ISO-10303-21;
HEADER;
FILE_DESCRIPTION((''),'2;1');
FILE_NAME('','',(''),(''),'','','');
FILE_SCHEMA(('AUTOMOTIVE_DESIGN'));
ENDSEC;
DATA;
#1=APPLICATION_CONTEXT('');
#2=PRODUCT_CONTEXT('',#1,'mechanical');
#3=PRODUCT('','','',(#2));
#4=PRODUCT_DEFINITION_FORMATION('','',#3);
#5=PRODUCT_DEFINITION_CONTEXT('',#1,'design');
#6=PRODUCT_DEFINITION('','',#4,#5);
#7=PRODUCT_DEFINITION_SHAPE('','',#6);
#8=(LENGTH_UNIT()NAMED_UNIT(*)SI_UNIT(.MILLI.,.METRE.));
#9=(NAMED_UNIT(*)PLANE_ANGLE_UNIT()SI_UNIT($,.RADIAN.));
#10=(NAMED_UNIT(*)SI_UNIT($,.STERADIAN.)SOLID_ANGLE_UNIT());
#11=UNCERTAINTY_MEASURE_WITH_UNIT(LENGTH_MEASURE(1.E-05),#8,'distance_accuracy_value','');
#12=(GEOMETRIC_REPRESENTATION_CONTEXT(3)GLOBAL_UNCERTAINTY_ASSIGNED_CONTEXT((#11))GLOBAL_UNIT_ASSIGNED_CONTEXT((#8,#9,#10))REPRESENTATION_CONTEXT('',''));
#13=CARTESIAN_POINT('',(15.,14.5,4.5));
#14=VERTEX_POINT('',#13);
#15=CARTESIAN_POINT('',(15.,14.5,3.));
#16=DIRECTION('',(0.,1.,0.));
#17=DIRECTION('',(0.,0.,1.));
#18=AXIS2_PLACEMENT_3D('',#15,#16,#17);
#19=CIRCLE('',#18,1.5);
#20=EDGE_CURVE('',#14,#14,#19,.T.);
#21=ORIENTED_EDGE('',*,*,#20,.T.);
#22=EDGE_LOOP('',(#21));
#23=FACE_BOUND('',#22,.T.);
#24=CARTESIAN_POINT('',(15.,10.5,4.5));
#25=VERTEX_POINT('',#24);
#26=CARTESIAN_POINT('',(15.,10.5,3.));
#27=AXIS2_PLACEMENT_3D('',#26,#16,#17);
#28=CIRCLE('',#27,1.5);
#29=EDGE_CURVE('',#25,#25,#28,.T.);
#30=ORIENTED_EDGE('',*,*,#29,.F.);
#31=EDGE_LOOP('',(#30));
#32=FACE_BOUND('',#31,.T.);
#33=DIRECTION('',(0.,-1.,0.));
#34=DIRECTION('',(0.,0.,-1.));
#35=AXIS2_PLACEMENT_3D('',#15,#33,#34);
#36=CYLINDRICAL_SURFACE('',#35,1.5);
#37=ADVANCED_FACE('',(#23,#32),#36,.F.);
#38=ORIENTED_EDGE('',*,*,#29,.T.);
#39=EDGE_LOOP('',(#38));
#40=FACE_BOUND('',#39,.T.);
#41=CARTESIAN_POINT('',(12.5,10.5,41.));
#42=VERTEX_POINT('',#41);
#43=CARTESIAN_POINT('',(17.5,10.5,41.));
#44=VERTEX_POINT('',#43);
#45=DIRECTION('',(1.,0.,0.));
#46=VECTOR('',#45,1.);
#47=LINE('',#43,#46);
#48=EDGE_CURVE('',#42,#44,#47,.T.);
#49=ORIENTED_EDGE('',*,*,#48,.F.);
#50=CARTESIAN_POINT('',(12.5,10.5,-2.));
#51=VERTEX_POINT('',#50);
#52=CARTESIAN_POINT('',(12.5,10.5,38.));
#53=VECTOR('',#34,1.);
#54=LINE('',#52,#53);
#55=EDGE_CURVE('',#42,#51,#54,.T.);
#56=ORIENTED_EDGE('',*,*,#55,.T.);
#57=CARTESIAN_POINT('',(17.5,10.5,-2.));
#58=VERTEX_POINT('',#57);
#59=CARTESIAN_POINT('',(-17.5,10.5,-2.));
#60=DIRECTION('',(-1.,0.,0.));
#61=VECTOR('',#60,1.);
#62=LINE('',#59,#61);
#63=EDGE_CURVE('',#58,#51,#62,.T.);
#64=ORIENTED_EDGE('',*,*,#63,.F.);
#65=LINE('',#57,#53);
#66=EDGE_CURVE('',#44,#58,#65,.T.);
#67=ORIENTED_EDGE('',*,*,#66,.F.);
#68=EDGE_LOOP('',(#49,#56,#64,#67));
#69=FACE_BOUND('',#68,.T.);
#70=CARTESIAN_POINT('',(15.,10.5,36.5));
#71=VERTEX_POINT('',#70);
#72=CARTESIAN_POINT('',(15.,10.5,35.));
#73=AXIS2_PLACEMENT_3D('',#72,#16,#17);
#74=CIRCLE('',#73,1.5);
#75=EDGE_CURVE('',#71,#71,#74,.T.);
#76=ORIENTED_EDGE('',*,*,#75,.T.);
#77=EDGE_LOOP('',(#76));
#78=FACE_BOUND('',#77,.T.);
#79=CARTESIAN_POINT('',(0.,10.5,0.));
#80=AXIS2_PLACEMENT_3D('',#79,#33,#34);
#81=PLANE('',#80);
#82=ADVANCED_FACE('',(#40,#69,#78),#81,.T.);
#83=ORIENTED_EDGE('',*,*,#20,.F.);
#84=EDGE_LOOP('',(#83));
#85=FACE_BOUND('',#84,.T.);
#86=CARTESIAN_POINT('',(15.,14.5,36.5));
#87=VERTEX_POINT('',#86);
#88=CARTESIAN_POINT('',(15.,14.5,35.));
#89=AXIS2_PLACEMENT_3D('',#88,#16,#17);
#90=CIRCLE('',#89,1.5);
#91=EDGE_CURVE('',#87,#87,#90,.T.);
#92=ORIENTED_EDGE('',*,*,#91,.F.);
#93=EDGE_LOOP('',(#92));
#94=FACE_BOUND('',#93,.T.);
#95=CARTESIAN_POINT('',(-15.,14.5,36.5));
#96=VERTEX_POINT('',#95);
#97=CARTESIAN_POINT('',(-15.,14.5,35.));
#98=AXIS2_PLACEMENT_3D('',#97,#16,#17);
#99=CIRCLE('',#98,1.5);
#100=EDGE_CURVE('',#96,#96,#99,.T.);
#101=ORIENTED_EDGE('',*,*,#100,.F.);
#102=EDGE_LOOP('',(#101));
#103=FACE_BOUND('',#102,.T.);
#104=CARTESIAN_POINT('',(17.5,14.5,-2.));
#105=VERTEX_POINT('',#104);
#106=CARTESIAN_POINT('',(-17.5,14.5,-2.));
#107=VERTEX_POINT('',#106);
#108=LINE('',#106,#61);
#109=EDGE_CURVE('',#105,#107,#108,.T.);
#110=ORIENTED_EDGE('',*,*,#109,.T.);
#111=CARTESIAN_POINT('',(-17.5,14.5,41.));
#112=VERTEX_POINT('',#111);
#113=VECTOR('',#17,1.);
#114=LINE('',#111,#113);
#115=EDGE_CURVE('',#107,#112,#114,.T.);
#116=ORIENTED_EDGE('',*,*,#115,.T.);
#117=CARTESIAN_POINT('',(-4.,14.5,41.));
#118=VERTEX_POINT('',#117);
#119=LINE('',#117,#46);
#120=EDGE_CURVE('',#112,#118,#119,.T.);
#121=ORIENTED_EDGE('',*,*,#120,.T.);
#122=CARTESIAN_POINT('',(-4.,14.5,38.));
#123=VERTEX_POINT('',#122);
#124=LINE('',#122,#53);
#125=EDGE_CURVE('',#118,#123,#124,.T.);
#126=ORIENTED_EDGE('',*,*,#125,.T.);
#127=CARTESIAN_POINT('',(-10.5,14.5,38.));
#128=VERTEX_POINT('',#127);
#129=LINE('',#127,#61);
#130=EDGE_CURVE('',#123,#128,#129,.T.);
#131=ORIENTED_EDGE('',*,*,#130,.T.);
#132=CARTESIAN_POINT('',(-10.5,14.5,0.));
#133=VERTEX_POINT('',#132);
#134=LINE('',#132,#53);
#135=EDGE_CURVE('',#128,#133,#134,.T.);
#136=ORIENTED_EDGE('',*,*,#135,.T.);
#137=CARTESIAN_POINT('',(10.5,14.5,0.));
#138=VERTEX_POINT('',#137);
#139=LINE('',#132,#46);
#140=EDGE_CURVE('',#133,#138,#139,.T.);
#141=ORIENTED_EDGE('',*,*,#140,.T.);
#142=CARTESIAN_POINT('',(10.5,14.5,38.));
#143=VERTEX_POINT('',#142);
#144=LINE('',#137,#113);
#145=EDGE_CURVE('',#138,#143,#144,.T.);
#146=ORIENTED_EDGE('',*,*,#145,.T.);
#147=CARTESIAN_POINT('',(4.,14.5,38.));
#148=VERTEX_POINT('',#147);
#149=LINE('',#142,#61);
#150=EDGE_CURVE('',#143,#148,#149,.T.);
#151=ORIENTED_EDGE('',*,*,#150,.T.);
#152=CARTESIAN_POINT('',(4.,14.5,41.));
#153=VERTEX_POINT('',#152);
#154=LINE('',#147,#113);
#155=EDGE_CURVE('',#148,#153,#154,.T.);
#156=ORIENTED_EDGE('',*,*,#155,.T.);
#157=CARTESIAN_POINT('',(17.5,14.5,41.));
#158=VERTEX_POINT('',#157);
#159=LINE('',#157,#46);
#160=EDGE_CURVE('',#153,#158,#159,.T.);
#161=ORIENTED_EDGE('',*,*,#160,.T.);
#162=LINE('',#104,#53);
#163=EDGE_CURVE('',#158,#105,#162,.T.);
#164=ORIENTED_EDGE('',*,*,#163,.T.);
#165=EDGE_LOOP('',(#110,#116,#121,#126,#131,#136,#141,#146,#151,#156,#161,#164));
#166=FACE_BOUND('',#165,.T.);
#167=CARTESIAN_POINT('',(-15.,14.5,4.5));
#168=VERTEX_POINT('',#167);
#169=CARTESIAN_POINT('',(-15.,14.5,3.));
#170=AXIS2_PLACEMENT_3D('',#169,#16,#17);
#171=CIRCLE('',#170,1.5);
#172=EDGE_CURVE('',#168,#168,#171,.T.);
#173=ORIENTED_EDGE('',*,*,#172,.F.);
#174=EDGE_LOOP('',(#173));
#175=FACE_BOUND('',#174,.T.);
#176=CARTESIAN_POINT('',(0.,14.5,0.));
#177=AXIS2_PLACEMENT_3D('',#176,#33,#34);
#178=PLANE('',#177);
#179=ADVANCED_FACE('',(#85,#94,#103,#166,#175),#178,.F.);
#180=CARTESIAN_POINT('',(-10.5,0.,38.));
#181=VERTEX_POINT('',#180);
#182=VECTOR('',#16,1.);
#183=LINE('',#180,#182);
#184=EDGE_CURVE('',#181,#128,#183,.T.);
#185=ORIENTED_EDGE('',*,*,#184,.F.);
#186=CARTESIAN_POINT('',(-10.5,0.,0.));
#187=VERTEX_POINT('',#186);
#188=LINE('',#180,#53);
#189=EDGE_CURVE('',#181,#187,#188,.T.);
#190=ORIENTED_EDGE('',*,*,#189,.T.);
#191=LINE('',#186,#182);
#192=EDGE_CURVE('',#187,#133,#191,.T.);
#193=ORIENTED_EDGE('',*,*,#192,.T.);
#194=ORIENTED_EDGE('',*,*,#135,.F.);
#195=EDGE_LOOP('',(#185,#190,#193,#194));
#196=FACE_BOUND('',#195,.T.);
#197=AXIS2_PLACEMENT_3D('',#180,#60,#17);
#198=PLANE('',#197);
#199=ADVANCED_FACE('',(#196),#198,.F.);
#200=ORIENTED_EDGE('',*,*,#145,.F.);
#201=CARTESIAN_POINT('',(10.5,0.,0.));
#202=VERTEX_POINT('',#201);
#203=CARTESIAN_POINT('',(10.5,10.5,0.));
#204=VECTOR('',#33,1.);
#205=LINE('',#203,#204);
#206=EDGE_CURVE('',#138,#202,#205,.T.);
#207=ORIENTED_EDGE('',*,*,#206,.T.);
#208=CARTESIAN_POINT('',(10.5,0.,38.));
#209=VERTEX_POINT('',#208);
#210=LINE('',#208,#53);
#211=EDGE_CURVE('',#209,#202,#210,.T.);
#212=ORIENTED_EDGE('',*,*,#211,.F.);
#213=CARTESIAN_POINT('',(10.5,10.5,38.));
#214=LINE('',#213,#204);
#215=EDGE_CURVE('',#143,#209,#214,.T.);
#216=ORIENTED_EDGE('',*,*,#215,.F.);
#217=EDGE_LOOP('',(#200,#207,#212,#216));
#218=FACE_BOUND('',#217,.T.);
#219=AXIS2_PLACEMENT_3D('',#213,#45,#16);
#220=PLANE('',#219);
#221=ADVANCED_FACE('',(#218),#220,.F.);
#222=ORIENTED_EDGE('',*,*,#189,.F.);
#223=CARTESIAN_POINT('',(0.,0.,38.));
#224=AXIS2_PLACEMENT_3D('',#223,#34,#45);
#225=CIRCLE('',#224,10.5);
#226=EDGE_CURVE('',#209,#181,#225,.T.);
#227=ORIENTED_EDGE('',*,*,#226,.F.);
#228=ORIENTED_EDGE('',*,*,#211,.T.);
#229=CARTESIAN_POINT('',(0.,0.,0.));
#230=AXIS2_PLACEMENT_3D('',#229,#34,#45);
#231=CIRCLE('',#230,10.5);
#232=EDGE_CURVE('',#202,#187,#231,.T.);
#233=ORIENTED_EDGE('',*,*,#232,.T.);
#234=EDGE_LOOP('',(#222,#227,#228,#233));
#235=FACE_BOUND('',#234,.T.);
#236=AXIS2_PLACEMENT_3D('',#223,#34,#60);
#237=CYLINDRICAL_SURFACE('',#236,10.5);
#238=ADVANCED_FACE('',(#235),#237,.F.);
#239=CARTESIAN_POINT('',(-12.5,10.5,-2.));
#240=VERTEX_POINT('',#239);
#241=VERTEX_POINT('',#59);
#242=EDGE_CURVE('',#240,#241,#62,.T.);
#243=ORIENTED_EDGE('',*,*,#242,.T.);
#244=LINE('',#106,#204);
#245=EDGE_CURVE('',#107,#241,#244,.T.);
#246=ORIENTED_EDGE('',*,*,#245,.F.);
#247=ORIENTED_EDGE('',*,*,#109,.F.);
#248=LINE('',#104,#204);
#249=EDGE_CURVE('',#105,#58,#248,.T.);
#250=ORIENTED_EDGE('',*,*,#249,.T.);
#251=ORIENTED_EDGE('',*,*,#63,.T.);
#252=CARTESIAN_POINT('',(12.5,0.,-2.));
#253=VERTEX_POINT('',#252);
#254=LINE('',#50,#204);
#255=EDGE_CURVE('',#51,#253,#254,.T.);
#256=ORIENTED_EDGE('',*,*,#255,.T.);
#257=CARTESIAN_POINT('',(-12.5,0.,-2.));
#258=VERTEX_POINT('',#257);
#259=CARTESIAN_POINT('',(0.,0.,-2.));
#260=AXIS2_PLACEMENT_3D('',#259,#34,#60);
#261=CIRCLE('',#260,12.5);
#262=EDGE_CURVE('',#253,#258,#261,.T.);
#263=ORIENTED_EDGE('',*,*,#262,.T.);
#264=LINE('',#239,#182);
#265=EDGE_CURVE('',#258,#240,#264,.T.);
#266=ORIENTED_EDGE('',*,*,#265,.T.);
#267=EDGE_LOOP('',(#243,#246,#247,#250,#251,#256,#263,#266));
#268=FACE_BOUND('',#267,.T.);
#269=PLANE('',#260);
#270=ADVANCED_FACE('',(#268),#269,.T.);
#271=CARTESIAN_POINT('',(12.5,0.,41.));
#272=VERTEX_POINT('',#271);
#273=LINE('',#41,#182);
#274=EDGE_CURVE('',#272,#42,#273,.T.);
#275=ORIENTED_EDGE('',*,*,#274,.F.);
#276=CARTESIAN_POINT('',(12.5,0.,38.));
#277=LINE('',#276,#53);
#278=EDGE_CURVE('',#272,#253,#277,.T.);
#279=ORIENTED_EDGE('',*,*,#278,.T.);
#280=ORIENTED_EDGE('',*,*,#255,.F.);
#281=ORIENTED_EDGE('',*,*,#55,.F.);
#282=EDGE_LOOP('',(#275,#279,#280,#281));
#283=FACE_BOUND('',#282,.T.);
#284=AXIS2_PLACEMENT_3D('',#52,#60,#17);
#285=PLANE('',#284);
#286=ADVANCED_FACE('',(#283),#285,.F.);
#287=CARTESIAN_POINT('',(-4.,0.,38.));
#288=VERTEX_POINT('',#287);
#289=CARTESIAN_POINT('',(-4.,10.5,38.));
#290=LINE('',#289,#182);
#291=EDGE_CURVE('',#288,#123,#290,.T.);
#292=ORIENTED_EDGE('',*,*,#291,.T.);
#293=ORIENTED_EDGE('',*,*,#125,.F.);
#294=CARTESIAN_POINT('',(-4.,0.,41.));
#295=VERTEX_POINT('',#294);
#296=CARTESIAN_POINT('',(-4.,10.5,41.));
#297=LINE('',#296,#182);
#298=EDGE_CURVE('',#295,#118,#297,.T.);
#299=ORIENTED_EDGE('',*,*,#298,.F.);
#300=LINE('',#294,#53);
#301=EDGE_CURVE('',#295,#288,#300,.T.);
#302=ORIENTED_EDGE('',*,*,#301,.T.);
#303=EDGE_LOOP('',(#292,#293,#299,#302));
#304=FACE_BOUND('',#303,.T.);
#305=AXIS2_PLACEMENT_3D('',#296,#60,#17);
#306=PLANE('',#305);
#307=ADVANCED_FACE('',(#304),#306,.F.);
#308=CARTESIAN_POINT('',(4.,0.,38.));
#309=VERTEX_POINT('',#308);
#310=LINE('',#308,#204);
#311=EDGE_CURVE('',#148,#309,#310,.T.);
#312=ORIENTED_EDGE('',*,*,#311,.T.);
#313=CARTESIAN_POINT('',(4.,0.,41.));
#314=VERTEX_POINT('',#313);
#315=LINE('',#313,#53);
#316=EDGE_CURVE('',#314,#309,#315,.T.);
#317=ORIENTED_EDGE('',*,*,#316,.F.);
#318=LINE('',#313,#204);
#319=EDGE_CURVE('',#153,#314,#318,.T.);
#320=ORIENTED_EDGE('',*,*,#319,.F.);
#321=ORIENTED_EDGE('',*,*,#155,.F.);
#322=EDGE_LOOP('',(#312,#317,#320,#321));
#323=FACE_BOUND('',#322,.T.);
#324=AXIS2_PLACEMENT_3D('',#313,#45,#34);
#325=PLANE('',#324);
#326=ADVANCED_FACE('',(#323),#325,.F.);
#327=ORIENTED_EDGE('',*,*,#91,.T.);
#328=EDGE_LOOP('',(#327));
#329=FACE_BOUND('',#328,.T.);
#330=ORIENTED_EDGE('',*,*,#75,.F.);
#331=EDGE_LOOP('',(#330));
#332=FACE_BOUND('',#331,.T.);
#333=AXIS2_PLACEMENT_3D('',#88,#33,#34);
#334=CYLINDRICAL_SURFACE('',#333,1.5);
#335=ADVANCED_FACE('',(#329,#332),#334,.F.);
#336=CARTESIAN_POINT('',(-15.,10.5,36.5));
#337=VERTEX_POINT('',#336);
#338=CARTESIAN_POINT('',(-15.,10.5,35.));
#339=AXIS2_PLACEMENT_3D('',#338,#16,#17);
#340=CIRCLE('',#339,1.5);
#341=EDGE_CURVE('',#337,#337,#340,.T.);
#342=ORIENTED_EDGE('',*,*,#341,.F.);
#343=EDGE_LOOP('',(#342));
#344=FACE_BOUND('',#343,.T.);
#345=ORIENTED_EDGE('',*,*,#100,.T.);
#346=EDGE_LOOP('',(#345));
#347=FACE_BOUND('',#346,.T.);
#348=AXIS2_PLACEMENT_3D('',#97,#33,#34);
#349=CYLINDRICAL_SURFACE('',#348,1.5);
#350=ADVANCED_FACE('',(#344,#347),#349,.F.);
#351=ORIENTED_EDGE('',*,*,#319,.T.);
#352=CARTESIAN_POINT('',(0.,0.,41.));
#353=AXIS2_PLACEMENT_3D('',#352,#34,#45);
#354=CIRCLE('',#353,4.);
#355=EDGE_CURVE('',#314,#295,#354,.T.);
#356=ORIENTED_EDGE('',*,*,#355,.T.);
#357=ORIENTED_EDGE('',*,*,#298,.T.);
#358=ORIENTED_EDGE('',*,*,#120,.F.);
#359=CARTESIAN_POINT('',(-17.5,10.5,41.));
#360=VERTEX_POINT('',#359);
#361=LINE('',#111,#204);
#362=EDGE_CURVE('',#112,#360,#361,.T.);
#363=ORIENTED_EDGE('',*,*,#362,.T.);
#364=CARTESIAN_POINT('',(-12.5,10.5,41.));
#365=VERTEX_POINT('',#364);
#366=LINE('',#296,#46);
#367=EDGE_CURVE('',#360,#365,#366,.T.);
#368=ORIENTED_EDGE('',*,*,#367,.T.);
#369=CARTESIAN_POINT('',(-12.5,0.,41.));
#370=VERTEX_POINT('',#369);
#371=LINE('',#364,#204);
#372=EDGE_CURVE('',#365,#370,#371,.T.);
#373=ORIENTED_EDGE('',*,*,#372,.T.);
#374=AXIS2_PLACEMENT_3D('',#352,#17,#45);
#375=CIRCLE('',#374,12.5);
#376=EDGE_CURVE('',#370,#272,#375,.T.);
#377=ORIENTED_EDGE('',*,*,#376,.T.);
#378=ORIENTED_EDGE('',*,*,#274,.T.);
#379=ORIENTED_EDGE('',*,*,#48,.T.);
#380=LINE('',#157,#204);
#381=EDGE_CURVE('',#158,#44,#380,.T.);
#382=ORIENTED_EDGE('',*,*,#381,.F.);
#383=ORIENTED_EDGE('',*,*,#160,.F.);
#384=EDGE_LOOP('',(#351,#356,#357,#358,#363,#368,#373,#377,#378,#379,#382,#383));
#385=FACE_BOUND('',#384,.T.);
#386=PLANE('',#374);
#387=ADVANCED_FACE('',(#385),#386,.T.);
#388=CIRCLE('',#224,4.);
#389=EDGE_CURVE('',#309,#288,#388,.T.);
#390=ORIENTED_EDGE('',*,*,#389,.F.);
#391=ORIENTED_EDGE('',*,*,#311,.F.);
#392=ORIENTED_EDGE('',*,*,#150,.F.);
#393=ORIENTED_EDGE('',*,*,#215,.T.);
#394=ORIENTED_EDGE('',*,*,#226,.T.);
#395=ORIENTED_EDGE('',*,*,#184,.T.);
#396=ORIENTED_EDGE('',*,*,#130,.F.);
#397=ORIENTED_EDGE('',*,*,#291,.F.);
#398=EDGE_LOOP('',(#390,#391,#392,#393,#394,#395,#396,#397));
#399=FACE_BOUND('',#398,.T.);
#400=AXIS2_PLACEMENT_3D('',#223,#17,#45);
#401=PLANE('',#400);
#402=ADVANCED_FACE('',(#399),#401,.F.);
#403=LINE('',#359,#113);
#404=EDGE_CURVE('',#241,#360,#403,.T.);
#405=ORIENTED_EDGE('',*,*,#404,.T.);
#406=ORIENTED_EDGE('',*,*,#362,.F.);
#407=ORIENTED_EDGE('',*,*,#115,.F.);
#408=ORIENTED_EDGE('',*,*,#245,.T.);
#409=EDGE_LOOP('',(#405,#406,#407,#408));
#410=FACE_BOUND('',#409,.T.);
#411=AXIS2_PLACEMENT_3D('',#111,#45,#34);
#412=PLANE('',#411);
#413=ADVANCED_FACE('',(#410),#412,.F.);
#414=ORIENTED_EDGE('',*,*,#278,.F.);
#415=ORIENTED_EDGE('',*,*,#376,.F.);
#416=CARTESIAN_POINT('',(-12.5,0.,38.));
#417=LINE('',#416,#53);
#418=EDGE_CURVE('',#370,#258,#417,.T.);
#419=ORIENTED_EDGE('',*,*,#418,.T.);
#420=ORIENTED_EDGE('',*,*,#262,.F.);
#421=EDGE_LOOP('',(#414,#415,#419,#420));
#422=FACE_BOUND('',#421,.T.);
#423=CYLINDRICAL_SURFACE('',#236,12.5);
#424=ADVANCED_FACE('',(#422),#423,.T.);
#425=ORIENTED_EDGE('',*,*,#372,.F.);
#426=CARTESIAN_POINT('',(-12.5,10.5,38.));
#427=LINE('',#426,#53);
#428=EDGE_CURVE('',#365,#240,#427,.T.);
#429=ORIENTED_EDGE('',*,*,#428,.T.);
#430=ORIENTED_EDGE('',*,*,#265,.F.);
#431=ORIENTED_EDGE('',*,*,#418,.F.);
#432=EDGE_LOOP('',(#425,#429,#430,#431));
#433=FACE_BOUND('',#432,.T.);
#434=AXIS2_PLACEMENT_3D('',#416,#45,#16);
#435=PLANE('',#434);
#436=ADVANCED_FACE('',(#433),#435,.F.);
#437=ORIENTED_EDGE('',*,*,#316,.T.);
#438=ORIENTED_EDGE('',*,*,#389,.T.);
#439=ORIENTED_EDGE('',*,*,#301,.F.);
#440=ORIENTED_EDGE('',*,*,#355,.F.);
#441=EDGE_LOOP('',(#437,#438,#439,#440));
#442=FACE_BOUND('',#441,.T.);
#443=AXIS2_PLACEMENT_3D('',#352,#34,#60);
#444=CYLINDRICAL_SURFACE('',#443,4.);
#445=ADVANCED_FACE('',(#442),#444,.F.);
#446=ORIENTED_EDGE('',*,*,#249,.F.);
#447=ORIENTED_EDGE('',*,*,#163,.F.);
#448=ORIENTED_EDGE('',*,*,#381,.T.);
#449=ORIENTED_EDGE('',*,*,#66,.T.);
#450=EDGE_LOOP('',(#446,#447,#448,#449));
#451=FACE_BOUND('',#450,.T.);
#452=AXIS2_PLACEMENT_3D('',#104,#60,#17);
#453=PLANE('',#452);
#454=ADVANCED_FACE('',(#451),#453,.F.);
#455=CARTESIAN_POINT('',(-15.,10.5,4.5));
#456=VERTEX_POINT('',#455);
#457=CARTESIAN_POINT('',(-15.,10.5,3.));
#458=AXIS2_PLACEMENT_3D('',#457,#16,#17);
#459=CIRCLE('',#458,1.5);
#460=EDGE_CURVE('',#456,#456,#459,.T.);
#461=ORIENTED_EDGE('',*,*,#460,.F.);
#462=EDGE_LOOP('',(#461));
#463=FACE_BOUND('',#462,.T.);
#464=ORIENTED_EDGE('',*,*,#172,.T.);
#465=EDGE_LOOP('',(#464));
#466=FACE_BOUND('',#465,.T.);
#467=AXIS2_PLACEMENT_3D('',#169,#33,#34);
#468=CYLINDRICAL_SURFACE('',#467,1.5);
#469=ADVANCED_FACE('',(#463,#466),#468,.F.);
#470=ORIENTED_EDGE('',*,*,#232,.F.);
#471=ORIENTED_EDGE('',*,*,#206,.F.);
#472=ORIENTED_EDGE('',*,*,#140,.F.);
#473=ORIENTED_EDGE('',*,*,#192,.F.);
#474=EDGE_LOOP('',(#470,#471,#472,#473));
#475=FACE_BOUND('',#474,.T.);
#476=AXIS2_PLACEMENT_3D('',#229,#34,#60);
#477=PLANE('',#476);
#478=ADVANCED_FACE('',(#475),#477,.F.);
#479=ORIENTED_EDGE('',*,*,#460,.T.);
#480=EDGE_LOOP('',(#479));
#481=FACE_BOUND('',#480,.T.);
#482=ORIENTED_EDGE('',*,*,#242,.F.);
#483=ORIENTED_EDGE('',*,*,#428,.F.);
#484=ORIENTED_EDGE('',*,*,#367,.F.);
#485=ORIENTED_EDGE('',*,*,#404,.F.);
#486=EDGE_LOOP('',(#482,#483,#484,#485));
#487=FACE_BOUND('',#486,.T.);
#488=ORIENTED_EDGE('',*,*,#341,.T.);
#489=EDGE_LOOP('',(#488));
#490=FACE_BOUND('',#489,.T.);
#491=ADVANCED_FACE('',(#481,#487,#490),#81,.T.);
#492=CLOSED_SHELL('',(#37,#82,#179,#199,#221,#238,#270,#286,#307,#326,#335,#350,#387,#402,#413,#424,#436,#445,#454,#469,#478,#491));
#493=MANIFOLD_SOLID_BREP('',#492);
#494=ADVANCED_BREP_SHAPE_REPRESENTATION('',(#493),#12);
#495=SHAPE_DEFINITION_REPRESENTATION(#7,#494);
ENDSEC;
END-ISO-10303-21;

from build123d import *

# Parameters (mm, degrees)
SALIENTE_EXTRUIR1_DEPTH = 38
SALIENTE_EXTRUIR2_DEPTH = 3
SALIENTE_EXTRUIR3_DEPTH = 2
CROQUIS4_R              = 1.5
SALIENTE_EXTRUIR4_DEPTH = 4


with BuildPart() as part:
    # Croquis1 → Saliente-Extruir1 (new body)
    with BuildSketch(Plane.XY):
        with BuildLine():
            Line((-10.5, 0), (-10.5, 10.5))
            Line((-10.5, 10.5), (-12.5, 10.5))
            Line((-12.5, 10.5), (-12.5, 0))
            ThreePointArc((-12.5, 0), (0, -12.5), (12.5, 0))
            Line((12.5, 0), (12.5, 10.5))
            Line((12.5, 10.5), (10.5, 10.5))
            Line((10.5, 10.5), (10.5, 0))
            ThreePointArc((10.5, 0), (0, -10.5), (-10.5, 0))
        make_face()
    extrude(amount=SALIENTE_EXTRUIR1_DEPTH)

    # Croquis2 → Saliente-Extruir2 (add)
    with BuildSketch(Plane.XY.offset(38)):
        with BuildLine():
            Line((-12.5, 10.5), (-4, 10.5))
            Line((-4, 10.5), (-4, 0))
            ThreePointArc((-4, 0), (0, -4), (4, 0))
            Line((4, 0), (4, 10.5))
            Line((4, 10.5), (12.5, 10.5))
            Line((12.5, 10.5), (12.5, 0))
            ThreePointArc((12.5, 0), (0, -12.5), (-12.5, 0))
            Line((-12.5, 0), (-12.5, 10.5))
        make_face()
    extrude(amount=SALIENTE_EXTRUIR2_DEPTH)

    # Croquis3 → Saliente-Extruir3 (add)
    with BuildSketch(Plane(origin=(0, 0, 0), x_dir=(-1, 0, 0), z_dir=(0, 0, -1))):
        with BuildLine():
            Line((-12.5, 10.5), (12.5, 10.5))
            Line((12.5, 10.5), (12.5, 0))
            ThreePointArc((12.5, 0), (0, -12.5), (-12.5, 0))
            Line((-12.5, 0), (-12.5, 10.5))
        make_face()
    extrude(amount=SALIENTE_EXTRUIR3_DEPTH)

    # Croquis4 → Saliente-Extruir4 (add)
    with BuildSketch(Plane(origin=(0, 10.5, 0), x_dir=(1, 0, 0), z_dir=(0, 1, 0))):
        Polygon((-17.5, 2), (17.5, 2), (17.5, -41), (4, -41), (4, -38), (10.5, -38), (10.5, 0), (-10.5, 0), (-10.5, -38), (-4, -38), (-4, -41), (-17.5, -41), align=None)
        with Locations((-15, -3)):
            Circle(CROQUIS4_R, mode=Mode.SUBTRACT)
        with Locations((15, -3)):
            Circle(CROQUIS4_R, mode=Mode.SUBTRACT)
        with Locations((15, -35)):
            Circle(CROQUIS4_R, mode=Mode.SUBTRACT)
        with Locations((-15, -35)):
            Circle(CROQUIS4_R, mode=Mode.SUBTRACT)
    extrude(amount=SALIENTE_EXTRUIR4_DEPTH)


solid = part.part
